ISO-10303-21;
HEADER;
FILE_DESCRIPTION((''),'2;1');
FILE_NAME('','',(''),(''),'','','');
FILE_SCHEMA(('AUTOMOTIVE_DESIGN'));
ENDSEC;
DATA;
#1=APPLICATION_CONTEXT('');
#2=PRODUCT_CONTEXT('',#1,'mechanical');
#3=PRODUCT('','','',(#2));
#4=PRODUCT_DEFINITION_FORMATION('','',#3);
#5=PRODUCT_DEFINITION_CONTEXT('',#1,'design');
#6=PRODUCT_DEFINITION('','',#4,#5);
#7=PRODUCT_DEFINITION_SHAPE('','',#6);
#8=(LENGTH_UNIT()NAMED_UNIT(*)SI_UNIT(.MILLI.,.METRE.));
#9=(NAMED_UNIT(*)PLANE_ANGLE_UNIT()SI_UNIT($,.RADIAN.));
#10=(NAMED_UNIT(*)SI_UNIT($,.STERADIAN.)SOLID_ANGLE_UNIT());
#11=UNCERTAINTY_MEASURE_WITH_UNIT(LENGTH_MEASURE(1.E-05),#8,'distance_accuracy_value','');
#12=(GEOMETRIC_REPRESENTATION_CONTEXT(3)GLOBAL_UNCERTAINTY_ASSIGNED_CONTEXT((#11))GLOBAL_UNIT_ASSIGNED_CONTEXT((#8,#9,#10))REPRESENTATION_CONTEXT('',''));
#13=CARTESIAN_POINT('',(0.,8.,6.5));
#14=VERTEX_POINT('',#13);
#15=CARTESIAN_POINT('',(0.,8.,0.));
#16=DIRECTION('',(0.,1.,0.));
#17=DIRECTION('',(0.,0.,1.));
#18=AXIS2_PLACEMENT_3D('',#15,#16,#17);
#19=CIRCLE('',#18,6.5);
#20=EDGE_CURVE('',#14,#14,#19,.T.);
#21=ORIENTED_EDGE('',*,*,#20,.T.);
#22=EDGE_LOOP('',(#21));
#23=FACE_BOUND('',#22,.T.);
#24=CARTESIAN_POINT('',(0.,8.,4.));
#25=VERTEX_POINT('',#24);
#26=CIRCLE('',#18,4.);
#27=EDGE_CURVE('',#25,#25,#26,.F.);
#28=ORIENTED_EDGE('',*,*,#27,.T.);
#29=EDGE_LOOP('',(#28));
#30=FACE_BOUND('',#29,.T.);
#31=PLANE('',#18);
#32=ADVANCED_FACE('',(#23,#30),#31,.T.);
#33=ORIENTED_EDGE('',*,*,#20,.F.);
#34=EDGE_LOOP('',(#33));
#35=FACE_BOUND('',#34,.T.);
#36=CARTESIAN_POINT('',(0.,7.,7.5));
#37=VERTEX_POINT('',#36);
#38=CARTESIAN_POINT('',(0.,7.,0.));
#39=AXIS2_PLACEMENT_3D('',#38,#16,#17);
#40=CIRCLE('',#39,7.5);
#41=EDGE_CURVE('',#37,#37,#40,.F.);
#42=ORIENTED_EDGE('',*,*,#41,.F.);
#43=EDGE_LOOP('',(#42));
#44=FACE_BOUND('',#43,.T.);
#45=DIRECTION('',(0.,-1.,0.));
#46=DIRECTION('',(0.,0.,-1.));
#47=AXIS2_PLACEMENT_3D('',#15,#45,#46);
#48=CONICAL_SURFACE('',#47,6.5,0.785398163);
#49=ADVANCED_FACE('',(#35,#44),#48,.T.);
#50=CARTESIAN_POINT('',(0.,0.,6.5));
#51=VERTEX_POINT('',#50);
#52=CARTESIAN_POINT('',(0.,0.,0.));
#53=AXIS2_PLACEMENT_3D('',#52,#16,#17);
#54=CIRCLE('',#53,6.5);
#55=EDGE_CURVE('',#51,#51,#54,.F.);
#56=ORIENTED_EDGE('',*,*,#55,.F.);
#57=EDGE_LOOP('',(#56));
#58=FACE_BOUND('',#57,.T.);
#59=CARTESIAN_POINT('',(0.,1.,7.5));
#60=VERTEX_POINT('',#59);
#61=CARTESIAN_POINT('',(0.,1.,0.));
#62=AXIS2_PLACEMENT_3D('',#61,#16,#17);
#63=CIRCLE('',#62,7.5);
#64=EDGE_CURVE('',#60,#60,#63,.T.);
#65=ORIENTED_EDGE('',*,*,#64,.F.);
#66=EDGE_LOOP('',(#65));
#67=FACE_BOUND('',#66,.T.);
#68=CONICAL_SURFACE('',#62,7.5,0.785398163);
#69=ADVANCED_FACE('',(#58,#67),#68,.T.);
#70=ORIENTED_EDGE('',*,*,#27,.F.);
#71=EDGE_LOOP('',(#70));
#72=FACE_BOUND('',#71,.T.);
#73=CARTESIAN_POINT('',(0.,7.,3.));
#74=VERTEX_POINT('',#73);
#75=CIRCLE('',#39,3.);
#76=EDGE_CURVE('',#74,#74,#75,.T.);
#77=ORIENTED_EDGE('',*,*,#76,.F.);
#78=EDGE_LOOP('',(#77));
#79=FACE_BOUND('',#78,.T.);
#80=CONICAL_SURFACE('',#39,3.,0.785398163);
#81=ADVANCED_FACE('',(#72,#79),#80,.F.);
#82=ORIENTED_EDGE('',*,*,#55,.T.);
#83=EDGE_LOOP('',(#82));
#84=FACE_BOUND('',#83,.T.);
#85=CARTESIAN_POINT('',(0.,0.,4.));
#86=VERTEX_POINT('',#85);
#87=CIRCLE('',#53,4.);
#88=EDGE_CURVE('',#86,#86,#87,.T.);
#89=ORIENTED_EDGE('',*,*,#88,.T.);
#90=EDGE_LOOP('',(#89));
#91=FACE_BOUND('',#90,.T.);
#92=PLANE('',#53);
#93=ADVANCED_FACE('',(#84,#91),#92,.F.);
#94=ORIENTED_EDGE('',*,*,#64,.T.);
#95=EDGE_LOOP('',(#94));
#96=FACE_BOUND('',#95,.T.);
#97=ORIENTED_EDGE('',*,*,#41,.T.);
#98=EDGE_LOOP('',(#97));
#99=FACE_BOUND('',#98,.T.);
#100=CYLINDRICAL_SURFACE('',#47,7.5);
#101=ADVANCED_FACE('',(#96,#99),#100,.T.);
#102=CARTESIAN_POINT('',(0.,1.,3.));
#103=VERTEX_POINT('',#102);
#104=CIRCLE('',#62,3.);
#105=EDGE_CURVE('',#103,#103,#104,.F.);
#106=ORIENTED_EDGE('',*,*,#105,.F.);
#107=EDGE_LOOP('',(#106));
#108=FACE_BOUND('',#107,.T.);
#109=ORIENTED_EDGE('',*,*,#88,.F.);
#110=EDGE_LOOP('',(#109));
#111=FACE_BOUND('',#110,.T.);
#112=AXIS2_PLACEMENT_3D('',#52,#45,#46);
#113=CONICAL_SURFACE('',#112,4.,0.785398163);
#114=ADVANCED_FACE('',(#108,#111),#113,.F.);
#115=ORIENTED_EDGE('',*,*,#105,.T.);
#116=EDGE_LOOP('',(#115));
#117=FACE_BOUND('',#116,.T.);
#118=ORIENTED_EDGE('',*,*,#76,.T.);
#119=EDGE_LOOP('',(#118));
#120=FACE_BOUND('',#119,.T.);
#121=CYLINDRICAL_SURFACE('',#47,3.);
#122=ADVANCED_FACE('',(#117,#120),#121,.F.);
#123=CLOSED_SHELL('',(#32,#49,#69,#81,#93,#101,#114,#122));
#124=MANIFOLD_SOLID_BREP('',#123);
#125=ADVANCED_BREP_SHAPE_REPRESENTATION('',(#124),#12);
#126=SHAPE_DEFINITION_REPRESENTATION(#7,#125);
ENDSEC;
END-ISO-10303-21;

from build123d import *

# Parameters (mm, degrees)
SKETCH1_R           = 7.5
SKETCH1_R_2         = 3
BOSS_EXTRUDE1_DEPTH = 8
CHAMFER1_SIZE       = 1


with BuildPart() as part:
    # Sketch1 → Boss-Extrude1 (new body)
    with BuildSketch(Plane(origin=(0, 0, 0), x_dir=(1, 0, 0), z_dir=(0, 1, 0))):
        Circle(SKETCH1_R)
        Circle(SKETCH1_R_2, mode=Mode.SUBTRACT)
    extrude(amount=BOSS_EXTRUDE1_DEPTH)

    # Chamfer1
    chamfer1_edges = [part.edges().sort_by_distance(p)[0] for p in [
        (-7.5, 0, 0),
        (-7.5, 8, 0),
        (-3, 0, 0),
        (-3, 8, 0),
    ]]
    chamfer(chamfer1_edges, length=CHAMFER1_SIZE)


solid = part.part
